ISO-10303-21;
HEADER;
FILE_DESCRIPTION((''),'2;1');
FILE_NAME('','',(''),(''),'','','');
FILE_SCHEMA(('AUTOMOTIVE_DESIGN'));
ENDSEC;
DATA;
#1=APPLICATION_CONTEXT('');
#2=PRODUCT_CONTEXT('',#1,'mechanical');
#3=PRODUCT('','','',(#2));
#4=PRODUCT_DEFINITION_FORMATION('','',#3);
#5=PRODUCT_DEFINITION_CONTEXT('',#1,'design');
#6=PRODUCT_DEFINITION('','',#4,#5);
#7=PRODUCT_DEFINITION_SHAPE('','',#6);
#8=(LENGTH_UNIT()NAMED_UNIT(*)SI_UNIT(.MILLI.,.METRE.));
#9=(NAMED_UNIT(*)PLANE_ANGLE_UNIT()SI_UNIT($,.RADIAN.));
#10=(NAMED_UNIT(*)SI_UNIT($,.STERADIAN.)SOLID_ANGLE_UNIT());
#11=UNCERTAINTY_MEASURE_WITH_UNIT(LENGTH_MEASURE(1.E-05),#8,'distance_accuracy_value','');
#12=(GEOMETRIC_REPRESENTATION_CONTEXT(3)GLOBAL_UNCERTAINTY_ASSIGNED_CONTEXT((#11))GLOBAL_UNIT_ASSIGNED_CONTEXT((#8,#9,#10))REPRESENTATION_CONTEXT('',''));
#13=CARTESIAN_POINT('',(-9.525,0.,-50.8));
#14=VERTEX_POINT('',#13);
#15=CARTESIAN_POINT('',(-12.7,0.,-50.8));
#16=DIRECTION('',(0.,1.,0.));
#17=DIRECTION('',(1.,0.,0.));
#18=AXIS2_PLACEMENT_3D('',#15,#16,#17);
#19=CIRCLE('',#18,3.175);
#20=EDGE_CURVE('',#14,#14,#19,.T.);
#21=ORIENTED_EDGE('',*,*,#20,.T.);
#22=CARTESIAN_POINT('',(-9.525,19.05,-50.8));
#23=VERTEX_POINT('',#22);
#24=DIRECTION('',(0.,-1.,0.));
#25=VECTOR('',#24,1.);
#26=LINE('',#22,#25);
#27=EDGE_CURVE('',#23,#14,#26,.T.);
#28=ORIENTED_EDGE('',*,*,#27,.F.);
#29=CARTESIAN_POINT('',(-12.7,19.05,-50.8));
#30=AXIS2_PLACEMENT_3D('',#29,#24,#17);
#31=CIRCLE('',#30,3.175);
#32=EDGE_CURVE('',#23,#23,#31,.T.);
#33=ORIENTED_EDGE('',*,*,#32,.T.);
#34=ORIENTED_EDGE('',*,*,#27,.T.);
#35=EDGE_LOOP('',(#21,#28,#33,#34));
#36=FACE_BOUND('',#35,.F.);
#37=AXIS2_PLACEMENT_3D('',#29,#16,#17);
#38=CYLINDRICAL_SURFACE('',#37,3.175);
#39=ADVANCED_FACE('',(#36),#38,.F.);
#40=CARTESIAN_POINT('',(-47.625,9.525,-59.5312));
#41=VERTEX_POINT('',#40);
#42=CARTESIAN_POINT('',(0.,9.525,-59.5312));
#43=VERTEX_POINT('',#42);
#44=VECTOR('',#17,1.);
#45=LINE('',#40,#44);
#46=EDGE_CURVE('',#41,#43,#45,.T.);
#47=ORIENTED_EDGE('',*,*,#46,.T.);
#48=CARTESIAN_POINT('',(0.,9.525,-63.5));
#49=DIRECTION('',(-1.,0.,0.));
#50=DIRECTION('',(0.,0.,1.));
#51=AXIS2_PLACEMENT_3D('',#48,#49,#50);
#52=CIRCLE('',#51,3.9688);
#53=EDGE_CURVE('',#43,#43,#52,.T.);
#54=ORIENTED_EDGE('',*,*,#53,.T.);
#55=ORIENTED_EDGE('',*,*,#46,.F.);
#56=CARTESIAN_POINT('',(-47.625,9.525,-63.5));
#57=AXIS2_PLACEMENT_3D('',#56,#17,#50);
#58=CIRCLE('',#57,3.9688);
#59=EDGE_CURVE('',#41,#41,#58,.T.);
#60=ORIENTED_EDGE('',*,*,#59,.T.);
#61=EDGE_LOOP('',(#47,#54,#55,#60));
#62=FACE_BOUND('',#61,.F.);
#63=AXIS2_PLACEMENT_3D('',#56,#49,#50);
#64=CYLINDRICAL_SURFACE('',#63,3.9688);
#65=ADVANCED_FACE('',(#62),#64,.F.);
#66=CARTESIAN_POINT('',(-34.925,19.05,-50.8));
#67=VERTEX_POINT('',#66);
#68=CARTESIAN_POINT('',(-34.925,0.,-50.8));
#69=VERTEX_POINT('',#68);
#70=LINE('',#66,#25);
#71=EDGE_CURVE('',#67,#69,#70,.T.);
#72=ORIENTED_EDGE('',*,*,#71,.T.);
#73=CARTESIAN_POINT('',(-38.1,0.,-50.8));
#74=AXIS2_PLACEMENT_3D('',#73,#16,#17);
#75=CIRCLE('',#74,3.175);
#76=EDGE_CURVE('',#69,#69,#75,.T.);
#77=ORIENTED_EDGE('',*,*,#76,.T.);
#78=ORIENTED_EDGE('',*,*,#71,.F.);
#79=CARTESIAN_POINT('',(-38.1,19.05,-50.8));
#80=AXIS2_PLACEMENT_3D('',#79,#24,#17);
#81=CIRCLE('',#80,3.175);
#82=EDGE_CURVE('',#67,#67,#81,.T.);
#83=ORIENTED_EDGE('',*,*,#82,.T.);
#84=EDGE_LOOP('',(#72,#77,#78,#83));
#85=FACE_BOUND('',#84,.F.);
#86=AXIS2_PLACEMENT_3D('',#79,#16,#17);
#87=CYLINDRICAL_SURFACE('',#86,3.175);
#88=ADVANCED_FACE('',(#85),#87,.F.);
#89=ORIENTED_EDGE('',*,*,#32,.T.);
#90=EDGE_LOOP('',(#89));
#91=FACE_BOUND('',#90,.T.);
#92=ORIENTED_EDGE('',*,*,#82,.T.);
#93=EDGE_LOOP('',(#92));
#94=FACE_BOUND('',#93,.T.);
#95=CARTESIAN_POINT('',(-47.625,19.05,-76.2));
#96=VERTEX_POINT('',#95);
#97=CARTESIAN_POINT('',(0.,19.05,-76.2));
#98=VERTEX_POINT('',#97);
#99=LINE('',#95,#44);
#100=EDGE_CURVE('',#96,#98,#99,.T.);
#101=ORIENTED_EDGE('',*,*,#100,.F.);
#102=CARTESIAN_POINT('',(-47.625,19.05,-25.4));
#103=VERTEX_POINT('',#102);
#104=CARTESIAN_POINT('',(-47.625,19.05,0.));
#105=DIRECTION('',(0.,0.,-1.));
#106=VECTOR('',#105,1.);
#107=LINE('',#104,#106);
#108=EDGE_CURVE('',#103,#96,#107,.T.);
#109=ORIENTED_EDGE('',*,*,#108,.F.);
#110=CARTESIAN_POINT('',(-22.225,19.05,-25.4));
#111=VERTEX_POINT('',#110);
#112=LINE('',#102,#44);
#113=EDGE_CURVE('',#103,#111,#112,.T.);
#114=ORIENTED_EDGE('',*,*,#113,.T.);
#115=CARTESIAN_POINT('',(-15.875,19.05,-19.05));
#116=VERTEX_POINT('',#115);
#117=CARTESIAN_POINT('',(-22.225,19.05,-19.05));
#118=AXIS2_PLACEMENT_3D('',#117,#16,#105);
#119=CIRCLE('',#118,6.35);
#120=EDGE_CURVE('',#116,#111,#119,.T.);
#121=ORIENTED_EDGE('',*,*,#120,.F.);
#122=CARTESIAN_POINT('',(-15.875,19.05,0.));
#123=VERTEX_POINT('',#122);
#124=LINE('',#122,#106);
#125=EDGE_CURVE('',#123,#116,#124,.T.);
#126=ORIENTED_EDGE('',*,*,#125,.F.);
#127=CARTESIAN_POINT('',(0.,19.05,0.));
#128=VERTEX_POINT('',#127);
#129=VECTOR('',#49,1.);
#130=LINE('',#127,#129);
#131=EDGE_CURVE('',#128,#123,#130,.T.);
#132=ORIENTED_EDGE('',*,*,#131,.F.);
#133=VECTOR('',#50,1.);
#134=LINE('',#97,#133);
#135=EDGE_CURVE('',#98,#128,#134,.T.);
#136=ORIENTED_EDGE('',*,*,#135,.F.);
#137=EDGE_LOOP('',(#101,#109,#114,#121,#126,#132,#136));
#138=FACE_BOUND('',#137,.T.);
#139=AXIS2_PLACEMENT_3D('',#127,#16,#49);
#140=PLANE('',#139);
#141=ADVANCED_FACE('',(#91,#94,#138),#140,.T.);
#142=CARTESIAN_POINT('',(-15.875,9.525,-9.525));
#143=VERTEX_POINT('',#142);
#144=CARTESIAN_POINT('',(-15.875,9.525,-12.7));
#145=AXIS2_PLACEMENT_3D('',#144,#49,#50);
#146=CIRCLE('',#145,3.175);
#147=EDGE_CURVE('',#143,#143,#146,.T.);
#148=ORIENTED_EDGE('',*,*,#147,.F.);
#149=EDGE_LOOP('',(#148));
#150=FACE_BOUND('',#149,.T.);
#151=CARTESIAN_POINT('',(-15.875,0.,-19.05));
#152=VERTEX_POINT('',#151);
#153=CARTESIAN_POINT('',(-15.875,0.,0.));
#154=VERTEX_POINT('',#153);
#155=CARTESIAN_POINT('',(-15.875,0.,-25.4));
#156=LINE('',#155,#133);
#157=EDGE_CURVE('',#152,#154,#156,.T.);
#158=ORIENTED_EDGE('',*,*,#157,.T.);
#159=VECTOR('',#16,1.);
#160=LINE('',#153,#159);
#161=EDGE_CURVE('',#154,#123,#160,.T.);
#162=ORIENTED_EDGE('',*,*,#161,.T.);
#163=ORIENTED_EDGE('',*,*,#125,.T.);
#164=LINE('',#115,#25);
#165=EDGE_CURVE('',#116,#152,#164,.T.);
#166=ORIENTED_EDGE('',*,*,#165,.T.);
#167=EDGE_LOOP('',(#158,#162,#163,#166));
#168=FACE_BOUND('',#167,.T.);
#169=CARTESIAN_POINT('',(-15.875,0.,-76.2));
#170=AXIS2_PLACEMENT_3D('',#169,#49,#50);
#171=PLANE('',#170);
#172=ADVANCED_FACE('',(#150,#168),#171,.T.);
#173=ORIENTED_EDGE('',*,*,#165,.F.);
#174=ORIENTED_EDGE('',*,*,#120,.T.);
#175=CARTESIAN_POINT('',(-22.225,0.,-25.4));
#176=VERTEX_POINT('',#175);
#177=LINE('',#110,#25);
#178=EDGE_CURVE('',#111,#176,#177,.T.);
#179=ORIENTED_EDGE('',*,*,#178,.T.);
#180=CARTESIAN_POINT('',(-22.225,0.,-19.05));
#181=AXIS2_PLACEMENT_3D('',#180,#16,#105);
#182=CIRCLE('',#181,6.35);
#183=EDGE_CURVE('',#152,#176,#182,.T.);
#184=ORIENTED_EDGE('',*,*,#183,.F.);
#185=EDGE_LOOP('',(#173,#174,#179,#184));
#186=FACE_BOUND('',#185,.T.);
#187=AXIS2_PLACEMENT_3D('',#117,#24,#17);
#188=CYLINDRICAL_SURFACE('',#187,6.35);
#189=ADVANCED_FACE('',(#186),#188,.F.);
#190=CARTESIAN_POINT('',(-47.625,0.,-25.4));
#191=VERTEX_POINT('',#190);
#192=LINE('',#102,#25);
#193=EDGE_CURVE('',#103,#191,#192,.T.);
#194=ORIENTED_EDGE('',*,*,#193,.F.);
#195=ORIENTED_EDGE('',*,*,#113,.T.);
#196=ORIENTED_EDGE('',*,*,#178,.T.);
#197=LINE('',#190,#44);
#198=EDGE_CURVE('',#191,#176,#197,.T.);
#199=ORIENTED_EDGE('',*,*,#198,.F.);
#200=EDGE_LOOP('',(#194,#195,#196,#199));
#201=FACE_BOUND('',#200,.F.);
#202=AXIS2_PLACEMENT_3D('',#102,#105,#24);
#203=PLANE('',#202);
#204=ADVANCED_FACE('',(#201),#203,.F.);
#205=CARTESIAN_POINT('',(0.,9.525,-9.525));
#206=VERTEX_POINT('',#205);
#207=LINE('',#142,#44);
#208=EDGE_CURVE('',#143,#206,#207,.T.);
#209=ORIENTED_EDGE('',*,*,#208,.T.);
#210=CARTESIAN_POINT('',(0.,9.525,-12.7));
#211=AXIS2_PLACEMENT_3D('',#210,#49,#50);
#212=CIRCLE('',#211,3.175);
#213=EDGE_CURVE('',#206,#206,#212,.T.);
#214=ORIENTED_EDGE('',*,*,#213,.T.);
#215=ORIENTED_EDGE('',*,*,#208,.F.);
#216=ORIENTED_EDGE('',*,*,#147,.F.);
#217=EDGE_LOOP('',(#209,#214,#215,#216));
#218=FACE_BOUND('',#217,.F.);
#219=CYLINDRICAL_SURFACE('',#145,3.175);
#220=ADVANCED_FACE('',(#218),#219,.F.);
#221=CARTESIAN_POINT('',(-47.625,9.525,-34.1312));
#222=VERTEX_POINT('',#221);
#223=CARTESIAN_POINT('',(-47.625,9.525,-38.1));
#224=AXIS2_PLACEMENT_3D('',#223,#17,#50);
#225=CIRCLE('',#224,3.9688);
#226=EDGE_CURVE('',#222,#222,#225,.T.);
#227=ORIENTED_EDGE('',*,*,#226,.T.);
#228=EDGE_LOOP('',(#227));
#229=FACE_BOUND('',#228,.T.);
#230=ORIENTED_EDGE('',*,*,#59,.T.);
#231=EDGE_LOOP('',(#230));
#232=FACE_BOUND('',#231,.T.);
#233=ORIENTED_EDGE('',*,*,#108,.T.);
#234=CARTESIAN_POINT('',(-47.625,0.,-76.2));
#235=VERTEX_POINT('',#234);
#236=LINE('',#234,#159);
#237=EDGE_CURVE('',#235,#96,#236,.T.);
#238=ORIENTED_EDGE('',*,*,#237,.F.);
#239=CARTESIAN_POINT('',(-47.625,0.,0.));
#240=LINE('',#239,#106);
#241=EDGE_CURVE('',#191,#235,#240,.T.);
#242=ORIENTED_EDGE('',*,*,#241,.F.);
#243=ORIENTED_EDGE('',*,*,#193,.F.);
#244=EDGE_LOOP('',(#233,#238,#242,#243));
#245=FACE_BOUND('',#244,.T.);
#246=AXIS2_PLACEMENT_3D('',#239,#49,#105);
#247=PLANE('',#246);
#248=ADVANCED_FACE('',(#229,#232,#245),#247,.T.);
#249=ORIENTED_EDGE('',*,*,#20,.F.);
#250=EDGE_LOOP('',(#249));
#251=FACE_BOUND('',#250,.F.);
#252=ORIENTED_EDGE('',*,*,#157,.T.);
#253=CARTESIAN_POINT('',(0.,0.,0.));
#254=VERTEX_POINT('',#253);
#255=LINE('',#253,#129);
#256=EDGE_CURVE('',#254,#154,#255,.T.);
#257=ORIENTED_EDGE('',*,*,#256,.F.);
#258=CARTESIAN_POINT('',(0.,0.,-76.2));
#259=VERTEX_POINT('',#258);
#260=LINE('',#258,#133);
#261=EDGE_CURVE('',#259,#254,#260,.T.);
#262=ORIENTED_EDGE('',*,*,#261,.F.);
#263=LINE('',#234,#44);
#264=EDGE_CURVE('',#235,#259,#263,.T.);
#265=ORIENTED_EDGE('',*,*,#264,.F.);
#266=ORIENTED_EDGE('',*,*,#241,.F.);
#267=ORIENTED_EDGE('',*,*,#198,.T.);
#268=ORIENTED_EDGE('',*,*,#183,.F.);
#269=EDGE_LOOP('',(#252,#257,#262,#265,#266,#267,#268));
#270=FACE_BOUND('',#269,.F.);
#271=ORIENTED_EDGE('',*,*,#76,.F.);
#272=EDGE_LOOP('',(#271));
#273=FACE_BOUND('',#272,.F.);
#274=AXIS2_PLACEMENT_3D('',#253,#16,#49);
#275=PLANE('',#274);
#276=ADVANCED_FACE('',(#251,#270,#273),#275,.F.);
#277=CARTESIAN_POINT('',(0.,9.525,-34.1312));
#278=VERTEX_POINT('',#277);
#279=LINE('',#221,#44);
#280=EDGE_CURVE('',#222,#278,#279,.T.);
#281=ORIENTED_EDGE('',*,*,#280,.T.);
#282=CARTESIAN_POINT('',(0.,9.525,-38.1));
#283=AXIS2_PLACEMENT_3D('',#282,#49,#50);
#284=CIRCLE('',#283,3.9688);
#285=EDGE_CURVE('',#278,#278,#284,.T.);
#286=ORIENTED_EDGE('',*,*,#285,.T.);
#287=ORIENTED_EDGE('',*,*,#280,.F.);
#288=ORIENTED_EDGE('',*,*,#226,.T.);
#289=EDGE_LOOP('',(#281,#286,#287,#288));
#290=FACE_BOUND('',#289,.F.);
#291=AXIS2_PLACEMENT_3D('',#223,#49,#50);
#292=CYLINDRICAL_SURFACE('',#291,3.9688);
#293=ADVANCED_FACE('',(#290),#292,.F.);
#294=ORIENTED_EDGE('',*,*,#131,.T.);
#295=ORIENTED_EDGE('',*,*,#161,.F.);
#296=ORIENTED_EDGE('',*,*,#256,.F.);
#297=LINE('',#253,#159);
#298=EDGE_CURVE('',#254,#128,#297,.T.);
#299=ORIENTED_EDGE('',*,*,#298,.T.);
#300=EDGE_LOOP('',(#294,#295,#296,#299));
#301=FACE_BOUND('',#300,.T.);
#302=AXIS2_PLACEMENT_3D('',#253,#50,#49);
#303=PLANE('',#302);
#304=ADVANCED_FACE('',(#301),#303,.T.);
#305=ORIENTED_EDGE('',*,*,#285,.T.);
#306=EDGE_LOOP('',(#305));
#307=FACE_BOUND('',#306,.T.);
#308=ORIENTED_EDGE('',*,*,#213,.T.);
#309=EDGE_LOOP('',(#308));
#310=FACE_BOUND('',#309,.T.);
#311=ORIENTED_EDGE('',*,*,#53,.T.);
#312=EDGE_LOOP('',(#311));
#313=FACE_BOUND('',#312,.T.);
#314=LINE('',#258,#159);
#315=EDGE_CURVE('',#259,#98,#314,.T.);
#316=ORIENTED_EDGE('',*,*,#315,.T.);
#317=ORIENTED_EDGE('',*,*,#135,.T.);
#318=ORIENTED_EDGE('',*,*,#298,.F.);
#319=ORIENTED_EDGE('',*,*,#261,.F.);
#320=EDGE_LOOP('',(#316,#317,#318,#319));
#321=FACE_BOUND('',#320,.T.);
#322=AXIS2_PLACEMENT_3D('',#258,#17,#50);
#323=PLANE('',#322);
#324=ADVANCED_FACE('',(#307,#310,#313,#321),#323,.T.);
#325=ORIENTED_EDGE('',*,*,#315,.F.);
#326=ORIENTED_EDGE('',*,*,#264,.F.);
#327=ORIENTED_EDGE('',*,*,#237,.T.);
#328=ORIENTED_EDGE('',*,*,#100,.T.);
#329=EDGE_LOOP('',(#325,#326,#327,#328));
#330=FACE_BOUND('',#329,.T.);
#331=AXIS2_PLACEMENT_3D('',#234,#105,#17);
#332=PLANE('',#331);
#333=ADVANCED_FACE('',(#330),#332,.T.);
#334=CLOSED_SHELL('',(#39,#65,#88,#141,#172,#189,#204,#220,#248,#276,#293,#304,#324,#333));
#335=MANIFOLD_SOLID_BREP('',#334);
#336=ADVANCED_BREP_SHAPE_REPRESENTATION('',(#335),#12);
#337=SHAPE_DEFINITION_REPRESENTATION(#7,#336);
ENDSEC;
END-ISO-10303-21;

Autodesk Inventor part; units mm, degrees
ref_plane "YZ Plane" through (0, 0, 0) normal (1, 0, 0) x (0, 1, 0)
ref_plane "XZ Plane" through (0, 0, 0) normal (0, 1, 0) x (-1, 0, 0)
ref_plane "XY Plane" through (0, 0, 0) normal (0, 0, 1) x (1, 0, 0)
sketch "Sketch1" plane through (0, 0, 0) normal (0, 1, 0) x (-1, 0, 0)
  line L0 (0, 0) -> (47.625, 0)
  line L1 (47.625, 0) -> (47.625, -76.2)
  line L2 (47.625, -76.2) -> (0, -76.2)
  line L3 (0, -76.2) -> (0, 0)
  dimension "d0" = 47.625
  dimension "d1" = 76.2
extrude "Extrusion1" add sketch "Sketch1" along normal blind 19.05
sketch "Sketch2" plane through (-47.625, 0, -76.2) normal (-1, 0, 0) x (0, 0, 1)
  line L0 (0, 0) -> (0, 19.05) projected
  line L1 (0, 19.05) -> (76.2, 19.05) projected
  line L2 (76.2, 0) -> (0, 0) projected
  line L3 (48.9575, 0) -> (51.7141, 0) projected
  line L4 (51.7141, 0) -> (51.7141, 9.525) projected
  line L5 (51.7141, 9.525) -> (48.9575, 9.525) projected
  line L6 (48.9575, 9.525) -> (48.9575, 0) projected
  line L7 (0, 0) -> (76.2, 0) projected
  line L8 (0, 9.525) -> (50.8, 9.525)
  line L9 (0, 9.525) -> (25.4, 9.525)
  line L10 (76.2, 0) -> (76.2, 19.05) projected
  line L11 (50.8, 9.525) -> (38.1, 9.525)
  line L12 (25.4, 9.525) -> (12.7, 9.525)
  circle A0 centre (38.1, 9.525) radius 3.9688
  circle A1 centre (12.7, 9.525) radius 3.9688
  point P0 (53.975, 9.525)
  point P1 (53.975, 0)
  dimension "d8" = 50.8
  dimension "d9" = 25.4
  dimension "d10" = 7.9375
  dimension "d11" = 7.9375
sketch "Sketch3" plane through (-47.625, 0, -76.2) normal (-1, 0, 0) x (0, 0, 1)
  line L0 (76.2, 19.05) -> (50.8, 19.05)
  line L1 (50.8, 19.05) -> (50.8, 0)
  line L2 (50.8, 0) -> (76.2, 0)
  line L3 (76.2, 0) -> (76.2, 19.05)
  point P0 (76.2, 0)
  dimension "d21" = 25.4
  dimension "d27" = 19.05
extrude "Extrusion3" cut sketch "Sketch3" against normal blind 31.75
fillet "Fillet4" radius 6.35 1 edges at (-15.875, 9.525, -25.4)
extrude "Extrusion4" cut sketch "Sketch2" against normal through all contours A1 L8 | L8 A1 | A0 L8 | L8 A0
sketch "Sketch5" plane through (-15.875, 0, -76.2) normal (-1, 0, 0) x (0, 0, 1)
  line L0 (50.8, 0) -> (50.8, 19.05) projected
  line L1 (76.2, 19.05) -> (76.2, 0) projected
  line L2 (76.2, 9.525) -> (63.5, 9.525)
  circle A0 centre (63.5, 9.525) radius 3.175
  dimension "d28" = 12.7
  dimension "d29" = 6.35
extrude "Extrusion5" cut sketch "Sketch5" along normal mid plane 44.45
sketch "Sketch7" plane through (0, 19.05, 0) normal (0, 1, 0) x (1, 0, 0)
  line L0 (-47.625, 25.4) -> (-47.625, 50.8)
  line L1 (-47.625, 50.8) -> (-38.1, 50.8)
  circle A0 centre (-38.1, 50.8) radius 3.175
  line L2 (-38.1, 50.8) -> (-12.7, 50.8)
  circle A1 centre (-12.7, 50.8) radius 3.175
  point P0 (0, 0)
  dimension "d37" = 25.4
  dimension "d38" = 9.525
  dimension "d39" = 6.35
  dimension "d40" = 25.4
  dimension "d41" = 6.35
extrude "Extrusion7" cut sketch "Sketch7" against normal blind 25.4
properties part number "34Assembly"
